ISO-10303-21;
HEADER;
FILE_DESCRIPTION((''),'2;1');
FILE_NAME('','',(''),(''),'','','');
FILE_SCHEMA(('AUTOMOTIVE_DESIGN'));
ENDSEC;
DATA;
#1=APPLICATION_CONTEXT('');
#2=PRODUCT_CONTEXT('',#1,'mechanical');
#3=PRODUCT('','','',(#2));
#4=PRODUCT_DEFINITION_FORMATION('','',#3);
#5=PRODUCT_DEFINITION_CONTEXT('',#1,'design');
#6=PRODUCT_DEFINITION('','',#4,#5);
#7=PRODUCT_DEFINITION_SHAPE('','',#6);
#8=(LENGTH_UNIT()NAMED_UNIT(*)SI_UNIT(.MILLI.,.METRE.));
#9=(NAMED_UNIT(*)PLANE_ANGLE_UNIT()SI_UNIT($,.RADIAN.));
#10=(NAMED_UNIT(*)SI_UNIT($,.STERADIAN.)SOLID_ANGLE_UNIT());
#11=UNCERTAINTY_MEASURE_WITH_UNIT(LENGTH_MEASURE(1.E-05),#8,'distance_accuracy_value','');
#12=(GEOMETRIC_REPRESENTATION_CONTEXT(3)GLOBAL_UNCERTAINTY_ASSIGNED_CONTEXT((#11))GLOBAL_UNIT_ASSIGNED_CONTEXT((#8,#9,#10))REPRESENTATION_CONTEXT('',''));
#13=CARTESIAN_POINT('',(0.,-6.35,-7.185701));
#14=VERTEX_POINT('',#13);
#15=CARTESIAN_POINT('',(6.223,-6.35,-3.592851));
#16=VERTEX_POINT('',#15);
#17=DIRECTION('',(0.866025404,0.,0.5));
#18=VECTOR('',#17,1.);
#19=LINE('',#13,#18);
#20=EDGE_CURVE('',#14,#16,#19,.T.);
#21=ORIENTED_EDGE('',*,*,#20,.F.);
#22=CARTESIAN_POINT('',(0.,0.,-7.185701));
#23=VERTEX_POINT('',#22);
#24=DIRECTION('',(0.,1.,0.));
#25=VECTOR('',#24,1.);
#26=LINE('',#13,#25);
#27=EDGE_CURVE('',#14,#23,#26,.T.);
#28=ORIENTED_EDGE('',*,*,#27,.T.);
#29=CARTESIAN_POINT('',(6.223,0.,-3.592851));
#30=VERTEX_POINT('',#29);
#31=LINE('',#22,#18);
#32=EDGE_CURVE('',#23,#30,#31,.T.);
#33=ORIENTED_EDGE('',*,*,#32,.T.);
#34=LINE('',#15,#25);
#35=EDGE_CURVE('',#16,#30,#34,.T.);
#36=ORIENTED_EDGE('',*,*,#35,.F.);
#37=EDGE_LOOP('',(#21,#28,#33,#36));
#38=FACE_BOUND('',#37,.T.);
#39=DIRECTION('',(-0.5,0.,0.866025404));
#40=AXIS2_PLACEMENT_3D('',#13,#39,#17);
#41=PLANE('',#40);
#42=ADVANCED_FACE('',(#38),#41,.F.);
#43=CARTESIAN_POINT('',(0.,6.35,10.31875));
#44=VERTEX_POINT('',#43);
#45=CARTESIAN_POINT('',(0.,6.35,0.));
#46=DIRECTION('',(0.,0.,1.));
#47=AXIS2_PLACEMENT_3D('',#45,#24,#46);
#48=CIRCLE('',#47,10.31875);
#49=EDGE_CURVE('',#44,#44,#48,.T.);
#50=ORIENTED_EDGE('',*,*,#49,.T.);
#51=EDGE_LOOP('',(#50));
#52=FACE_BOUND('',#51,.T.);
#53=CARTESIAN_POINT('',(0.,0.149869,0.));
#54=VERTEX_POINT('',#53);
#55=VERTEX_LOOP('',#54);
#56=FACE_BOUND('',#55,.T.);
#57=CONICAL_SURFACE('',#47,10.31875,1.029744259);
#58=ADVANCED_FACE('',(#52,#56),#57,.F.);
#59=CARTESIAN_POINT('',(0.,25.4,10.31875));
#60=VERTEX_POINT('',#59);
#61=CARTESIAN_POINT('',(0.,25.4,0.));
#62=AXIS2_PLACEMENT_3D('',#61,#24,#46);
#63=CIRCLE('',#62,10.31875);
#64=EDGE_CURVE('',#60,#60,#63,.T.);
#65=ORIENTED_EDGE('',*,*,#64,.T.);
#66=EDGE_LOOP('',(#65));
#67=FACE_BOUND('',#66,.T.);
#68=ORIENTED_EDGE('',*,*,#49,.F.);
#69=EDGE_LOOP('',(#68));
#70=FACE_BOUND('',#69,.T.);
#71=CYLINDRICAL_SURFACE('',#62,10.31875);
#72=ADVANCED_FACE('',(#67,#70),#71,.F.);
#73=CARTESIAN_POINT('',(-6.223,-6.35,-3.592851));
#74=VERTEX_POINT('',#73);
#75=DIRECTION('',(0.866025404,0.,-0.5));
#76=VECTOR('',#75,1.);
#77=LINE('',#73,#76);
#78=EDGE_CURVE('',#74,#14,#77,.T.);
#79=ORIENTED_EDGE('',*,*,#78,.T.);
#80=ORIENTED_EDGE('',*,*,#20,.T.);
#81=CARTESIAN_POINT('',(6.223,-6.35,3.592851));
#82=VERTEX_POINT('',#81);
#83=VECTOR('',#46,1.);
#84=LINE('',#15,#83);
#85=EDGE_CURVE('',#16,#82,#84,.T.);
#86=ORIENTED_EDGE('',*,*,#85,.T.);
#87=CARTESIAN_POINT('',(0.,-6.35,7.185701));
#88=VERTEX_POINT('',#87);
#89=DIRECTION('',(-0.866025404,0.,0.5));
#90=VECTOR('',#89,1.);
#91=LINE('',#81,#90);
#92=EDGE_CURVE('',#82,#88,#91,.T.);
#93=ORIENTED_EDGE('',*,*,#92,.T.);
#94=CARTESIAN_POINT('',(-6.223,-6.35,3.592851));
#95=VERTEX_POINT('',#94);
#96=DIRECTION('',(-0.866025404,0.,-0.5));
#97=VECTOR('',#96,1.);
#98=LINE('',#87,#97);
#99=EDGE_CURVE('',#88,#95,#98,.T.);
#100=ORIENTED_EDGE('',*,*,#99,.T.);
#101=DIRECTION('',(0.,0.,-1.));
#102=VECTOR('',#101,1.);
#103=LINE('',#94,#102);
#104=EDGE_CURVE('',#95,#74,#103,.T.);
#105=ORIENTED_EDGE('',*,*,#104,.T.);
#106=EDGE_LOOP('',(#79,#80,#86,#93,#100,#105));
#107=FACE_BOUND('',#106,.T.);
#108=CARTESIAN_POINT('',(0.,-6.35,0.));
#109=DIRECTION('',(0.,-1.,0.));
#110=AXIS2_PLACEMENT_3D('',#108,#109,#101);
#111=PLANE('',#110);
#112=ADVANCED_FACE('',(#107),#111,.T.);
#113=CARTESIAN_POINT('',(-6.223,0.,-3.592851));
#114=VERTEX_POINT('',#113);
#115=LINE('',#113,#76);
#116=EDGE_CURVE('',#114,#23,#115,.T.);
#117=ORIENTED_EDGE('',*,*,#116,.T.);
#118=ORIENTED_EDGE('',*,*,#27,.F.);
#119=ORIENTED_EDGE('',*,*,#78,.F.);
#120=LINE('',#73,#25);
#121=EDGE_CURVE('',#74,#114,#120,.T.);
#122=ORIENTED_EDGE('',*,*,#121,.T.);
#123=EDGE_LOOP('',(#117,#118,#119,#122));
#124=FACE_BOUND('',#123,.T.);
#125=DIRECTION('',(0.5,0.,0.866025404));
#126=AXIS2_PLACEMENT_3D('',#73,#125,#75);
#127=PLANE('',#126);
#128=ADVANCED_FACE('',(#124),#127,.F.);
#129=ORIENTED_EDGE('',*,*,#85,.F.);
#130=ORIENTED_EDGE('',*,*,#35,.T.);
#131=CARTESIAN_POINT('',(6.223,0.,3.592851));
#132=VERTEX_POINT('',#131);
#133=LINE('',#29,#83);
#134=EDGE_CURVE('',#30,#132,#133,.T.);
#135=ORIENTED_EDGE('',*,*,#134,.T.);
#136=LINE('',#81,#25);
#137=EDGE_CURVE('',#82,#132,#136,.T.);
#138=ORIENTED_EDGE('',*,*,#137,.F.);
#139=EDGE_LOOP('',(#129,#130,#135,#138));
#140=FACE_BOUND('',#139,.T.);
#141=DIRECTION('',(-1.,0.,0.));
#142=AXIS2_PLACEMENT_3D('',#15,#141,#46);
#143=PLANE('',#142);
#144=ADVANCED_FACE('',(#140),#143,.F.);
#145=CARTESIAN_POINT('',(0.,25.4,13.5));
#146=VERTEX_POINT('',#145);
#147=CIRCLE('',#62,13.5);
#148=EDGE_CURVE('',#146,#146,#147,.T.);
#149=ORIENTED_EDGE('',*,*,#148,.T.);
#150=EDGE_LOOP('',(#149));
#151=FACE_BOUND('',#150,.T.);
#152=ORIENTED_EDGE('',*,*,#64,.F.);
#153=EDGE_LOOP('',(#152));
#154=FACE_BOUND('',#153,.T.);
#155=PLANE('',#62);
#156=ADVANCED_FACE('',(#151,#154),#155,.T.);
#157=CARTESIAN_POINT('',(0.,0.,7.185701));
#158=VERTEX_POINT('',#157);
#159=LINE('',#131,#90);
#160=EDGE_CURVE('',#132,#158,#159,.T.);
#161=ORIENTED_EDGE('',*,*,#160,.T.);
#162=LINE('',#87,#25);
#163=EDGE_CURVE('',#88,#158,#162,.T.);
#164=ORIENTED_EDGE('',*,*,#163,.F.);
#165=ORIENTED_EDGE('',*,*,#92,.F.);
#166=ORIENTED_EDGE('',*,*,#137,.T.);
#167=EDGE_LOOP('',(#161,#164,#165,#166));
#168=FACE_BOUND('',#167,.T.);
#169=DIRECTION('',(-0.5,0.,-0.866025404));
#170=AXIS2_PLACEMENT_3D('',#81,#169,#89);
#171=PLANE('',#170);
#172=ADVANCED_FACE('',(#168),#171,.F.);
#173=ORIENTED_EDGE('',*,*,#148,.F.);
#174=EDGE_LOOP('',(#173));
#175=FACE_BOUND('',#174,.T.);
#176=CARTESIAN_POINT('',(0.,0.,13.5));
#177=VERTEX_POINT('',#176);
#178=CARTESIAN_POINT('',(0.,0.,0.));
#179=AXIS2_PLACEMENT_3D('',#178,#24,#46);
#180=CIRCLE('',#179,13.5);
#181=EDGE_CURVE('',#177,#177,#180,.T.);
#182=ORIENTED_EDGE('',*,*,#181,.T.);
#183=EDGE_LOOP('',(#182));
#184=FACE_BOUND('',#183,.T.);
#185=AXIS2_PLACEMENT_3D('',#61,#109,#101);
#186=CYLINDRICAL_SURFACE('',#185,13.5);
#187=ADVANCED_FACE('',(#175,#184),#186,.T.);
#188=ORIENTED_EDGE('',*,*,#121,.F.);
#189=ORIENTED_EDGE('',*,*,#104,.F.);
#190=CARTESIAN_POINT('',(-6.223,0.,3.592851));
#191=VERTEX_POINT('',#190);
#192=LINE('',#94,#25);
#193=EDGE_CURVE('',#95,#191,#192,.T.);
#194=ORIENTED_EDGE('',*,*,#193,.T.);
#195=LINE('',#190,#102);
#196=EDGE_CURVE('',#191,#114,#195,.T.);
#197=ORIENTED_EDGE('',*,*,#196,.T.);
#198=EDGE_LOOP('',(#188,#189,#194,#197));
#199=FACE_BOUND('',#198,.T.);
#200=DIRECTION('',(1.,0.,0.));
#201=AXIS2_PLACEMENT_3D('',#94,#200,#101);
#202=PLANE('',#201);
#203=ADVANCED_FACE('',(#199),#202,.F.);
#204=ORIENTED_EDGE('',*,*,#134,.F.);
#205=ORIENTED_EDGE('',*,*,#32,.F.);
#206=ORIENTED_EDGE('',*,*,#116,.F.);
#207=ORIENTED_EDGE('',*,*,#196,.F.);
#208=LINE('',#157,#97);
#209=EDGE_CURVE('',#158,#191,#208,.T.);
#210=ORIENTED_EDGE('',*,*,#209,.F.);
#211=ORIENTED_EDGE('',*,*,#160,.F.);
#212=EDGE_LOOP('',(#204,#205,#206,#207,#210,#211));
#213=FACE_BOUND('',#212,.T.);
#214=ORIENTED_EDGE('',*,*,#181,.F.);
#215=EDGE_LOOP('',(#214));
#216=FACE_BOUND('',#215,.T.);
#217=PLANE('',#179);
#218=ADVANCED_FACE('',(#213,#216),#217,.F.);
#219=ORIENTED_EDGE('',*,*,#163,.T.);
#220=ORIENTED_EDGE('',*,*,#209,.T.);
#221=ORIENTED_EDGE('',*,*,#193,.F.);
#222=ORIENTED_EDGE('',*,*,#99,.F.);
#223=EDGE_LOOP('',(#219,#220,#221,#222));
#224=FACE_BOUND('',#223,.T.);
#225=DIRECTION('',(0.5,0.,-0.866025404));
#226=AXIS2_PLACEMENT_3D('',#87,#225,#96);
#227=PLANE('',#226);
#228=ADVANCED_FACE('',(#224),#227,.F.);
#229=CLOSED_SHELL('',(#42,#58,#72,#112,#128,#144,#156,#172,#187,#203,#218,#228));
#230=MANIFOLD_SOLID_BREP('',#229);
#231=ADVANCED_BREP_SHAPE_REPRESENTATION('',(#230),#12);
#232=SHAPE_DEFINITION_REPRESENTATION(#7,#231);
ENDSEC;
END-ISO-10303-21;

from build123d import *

# Parameters (mm, degrees)
SKETCH1_R                   = 13.5
BOSS_EXTRUDE1_DEPTH         = 25.4
F_7_8_14_TAPPED_HOLE1_D     = 20.6375
F_7_8_14_TAPPED_HOLE1_DEPTH = 19.05
F_7_8_14_TAPPED_HOLE1_TIP   = 6.200130513
BOSS_EXTRUDE2_DEPTH         = 6.35


with BuildPart() as part:
    # Sketch1 → Boss-Extrude1 (new body)
    with BuildSketch(Plane(origin=(0, 0, 0), x_dir=(1, 0, 0), z_dir=(0, 1, 0))):
        with Locations(Location((0, 0, 0), (0, 0, 270))):
            Circle(SKETCH1_R)
    extrude(amount=BOSS_EXTRUDE1_DEPTH)

    # 7/8-14 Tapped Hole1
    with Locations(Plane(origin=(0, 25.4, 0), x_dir=(1, 0, 0), z_dir=(0, 1, 0))):
        with Locations((0, 0)):
            Hole(F_7_8_14_TAPPED_HOLE1_D / 2, depth=F_7_8_14_TAPPED_HOLE1_DEPTH)
            with Locations((0, 0, -(F_7_8_14_TAPPED_HOLE1_DEPTH + F_7_8_14_TAPPED_HOLE1_TIP / 2))):  # 118° drill point
                Cone(0, F_7_8_14_TAPPED_HOLE1_D / 2, F_7_8_14_TAPPED_HOLE1_TIP, mode=Mode.SUBTRACT)

    # Sketch6 → Boss-Extrude2 (add)
    with BuildSketch(Plane.XZ):
        Polygon((6.223, 3.592850725), (0, 7.18570145), (-6.223, 3.592850725), (-6.223, -3.592850725), (0, -7.18570145), (6.223, -3.592850725), align=None)
    extrude(amount=BOSS_EXTRUDE2_DEPTH)


solid = part.part
